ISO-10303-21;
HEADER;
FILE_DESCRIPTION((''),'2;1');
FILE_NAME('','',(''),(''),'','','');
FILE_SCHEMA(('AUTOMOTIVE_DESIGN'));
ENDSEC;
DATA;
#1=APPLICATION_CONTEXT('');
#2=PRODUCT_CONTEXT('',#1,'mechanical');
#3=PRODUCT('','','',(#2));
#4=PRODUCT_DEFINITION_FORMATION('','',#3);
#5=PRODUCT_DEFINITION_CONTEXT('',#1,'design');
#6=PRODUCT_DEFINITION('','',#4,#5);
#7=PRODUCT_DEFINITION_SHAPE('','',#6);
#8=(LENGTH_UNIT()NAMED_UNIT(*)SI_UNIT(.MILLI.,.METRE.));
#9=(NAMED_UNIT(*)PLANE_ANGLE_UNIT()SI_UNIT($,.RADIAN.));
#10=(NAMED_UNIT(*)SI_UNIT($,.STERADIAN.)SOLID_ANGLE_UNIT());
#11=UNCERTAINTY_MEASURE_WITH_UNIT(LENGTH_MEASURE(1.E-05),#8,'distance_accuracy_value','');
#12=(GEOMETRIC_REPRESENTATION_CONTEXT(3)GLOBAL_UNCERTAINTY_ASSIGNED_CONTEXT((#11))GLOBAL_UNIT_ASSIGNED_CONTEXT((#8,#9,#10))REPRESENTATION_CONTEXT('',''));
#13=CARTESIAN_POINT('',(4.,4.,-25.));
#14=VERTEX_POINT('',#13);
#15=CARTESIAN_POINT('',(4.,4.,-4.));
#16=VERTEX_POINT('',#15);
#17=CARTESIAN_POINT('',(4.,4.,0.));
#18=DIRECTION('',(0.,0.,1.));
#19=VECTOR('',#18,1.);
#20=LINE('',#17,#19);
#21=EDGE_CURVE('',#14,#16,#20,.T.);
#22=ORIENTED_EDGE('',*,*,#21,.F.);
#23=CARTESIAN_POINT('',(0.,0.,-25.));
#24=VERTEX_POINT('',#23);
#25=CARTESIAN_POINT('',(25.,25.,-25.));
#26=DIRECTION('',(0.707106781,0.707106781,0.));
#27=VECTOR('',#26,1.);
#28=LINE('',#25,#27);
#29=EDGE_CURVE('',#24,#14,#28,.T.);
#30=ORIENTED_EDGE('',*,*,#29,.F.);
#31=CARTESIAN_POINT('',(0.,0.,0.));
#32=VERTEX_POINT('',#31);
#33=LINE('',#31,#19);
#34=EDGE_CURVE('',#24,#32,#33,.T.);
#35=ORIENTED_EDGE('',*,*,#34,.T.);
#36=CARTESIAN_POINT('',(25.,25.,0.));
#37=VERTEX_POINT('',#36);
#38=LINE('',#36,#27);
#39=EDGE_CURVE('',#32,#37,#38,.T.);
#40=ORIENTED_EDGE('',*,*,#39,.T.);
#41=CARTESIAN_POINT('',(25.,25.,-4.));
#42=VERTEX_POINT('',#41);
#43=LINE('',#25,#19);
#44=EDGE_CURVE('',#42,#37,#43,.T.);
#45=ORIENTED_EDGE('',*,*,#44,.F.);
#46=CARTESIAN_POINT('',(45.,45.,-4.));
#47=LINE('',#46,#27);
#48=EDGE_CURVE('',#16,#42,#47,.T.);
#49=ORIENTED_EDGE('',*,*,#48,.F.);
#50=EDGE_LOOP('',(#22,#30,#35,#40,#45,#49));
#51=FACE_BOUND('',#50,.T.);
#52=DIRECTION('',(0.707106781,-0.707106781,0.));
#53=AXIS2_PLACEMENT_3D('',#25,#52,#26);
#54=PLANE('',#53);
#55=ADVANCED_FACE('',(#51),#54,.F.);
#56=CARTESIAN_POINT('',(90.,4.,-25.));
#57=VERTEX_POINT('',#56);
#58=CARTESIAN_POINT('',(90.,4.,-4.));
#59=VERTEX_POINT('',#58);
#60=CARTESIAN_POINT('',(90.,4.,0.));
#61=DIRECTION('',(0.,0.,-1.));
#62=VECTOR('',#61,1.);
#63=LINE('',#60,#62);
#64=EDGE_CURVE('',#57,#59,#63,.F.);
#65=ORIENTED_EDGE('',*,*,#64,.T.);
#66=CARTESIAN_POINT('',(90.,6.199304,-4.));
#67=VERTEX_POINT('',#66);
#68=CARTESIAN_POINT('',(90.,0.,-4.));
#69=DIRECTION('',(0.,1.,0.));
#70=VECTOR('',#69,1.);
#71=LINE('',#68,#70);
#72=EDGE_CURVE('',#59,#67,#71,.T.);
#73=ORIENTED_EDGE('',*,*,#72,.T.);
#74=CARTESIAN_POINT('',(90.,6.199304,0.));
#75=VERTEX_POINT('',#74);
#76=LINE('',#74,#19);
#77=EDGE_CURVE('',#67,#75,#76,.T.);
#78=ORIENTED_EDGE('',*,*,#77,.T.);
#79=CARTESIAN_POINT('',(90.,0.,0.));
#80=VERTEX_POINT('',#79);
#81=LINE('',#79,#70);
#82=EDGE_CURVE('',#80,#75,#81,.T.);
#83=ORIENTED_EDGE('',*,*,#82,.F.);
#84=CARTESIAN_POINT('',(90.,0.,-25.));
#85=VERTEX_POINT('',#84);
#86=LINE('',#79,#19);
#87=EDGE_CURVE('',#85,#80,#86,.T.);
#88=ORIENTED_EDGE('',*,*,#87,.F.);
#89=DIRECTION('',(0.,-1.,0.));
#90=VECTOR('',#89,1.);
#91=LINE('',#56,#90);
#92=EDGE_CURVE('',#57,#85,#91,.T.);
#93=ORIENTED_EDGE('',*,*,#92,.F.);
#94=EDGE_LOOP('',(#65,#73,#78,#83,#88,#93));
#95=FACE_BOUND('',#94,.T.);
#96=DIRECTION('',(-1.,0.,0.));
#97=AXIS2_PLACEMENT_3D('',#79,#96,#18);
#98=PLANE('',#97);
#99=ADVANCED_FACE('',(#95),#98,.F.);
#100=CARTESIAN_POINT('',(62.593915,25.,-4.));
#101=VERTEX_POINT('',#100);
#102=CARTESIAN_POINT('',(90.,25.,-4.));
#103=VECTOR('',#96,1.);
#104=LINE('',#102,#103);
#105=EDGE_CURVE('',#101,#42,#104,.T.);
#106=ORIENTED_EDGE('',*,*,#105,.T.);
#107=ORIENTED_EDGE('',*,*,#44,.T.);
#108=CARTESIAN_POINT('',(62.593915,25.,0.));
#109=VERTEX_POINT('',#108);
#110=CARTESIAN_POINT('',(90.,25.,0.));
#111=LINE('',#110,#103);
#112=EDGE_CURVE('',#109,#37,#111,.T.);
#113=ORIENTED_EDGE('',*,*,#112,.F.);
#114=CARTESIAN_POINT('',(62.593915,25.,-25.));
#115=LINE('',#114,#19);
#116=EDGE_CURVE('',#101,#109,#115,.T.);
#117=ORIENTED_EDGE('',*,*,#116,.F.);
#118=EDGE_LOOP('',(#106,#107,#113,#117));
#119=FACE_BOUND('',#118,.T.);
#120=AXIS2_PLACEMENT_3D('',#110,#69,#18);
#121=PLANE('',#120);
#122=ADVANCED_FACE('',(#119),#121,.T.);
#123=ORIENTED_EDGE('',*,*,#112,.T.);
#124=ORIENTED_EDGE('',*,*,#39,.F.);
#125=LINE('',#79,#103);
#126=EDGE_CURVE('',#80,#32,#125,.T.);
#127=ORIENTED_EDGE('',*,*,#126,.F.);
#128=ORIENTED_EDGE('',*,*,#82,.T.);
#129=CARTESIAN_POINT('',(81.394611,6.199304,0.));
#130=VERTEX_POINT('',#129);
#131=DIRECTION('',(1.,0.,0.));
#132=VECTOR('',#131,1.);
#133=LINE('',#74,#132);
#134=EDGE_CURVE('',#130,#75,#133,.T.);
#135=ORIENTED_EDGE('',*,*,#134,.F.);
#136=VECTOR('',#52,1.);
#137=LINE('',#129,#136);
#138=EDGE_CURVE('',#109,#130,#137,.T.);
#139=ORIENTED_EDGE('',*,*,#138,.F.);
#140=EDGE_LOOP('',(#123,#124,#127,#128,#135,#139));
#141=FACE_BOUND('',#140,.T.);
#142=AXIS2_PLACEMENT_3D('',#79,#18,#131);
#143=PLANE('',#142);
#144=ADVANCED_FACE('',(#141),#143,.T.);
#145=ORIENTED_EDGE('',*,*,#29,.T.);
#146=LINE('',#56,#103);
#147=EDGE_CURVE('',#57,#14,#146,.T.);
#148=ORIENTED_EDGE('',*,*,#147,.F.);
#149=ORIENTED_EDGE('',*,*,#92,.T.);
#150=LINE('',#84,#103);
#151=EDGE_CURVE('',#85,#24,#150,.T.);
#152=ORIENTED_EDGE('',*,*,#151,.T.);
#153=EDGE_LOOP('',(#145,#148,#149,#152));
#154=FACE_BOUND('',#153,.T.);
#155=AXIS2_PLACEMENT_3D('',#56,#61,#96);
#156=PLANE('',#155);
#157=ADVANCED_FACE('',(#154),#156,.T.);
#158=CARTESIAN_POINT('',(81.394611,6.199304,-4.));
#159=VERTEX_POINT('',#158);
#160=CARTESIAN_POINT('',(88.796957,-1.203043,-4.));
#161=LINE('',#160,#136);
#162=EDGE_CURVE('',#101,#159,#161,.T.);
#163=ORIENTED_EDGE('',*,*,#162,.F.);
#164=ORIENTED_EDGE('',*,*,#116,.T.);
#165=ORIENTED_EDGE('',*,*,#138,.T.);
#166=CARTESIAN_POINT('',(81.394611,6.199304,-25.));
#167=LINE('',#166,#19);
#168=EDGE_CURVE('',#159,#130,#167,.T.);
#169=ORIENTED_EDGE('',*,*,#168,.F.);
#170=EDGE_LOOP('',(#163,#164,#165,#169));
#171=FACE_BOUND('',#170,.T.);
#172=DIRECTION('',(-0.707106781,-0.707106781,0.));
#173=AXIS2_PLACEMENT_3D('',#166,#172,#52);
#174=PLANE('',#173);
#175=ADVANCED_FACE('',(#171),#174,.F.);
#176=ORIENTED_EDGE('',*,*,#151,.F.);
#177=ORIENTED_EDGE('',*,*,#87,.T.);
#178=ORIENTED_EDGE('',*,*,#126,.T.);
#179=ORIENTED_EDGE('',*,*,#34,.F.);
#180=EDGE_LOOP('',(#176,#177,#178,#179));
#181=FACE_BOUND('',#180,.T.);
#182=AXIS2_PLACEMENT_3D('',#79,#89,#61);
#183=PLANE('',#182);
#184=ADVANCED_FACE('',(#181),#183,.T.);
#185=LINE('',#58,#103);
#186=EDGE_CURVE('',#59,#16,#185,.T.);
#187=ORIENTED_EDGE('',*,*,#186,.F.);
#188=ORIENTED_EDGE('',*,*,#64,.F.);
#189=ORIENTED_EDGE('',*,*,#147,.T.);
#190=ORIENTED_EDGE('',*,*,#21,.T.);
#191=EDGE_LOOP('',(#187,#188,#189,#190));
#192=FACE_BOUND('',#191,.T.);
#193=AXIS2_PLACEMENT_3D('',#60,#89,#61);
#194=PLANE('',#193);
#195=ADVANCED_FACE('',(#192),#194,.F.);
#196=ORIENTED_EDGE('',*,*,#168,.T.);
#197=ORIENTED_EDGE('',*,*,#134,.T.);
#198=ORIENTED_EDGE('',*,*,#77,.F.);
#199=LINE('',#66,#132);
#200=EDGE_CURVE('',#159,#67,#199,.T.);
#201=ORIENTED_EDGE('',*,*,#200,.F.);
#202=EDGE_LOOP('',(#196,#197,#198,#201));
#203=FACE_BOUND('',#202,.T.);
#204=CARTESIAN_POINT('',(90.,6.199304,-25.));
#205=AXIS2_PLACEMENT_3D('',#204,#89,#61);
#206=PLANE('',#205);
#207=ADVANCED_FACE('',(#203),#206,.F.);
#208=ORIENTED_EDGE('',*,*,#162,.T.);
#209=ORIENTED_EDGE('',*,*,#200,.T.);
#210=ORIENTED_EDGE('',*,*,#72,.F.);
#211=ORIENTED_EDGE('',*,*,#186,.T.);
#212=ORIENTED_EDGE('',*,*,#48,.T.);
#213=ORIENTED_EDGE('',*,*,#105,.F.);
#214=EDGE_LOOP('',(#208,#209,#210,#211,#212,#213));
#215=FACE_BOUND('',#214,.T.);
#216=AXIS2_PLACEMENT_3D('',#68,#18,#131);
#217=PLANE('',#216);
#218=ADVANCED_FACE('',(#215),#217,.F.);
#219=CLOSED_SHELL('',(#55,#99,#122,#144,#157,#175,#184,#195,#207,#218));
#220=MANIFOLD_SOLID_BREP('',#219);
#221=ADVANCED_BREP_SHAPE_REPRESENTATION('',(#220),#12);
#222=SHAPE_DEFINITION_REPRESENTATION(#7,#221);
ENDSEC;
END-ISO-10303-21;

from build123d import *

# Parameters (mm, degrees)
EXTRUDE_1_DEPTH     = 90
CUT_EXTRUDE_1_DEPTH = 26


with BuildPart() as part:
    # Эскиз1 → Вытянуть-Тонкостенный1 (new body)
    with BuildSketch(Plane(origin=(0, 0, 0), x_dir=(0, 0, -1), z_dir=(1, 0, 0))):
        Polygon((0, 25), (0, 0), (25, 0), (25, 4), (4, 4), (4, 25), align=None)
    extrude(amount=EXTRUDE_1_DEPTH)

    # Эскиз2 → Вырез-Вытянуть1 (cut, through all)
    with BuildSketch(Plane.XY):
        Polygon((0, 0), (0, 25), (25, 25), align=None)
        Polygon((90, 6.199303699), (81.394610848, 6.199303699), (62.593914547, 25), (90, 25), align=None)
    extrude(amount=-CUT_EXTRUDE_1_DEPTH, mode=Mode.SUBTRACT)


solid = part.part
